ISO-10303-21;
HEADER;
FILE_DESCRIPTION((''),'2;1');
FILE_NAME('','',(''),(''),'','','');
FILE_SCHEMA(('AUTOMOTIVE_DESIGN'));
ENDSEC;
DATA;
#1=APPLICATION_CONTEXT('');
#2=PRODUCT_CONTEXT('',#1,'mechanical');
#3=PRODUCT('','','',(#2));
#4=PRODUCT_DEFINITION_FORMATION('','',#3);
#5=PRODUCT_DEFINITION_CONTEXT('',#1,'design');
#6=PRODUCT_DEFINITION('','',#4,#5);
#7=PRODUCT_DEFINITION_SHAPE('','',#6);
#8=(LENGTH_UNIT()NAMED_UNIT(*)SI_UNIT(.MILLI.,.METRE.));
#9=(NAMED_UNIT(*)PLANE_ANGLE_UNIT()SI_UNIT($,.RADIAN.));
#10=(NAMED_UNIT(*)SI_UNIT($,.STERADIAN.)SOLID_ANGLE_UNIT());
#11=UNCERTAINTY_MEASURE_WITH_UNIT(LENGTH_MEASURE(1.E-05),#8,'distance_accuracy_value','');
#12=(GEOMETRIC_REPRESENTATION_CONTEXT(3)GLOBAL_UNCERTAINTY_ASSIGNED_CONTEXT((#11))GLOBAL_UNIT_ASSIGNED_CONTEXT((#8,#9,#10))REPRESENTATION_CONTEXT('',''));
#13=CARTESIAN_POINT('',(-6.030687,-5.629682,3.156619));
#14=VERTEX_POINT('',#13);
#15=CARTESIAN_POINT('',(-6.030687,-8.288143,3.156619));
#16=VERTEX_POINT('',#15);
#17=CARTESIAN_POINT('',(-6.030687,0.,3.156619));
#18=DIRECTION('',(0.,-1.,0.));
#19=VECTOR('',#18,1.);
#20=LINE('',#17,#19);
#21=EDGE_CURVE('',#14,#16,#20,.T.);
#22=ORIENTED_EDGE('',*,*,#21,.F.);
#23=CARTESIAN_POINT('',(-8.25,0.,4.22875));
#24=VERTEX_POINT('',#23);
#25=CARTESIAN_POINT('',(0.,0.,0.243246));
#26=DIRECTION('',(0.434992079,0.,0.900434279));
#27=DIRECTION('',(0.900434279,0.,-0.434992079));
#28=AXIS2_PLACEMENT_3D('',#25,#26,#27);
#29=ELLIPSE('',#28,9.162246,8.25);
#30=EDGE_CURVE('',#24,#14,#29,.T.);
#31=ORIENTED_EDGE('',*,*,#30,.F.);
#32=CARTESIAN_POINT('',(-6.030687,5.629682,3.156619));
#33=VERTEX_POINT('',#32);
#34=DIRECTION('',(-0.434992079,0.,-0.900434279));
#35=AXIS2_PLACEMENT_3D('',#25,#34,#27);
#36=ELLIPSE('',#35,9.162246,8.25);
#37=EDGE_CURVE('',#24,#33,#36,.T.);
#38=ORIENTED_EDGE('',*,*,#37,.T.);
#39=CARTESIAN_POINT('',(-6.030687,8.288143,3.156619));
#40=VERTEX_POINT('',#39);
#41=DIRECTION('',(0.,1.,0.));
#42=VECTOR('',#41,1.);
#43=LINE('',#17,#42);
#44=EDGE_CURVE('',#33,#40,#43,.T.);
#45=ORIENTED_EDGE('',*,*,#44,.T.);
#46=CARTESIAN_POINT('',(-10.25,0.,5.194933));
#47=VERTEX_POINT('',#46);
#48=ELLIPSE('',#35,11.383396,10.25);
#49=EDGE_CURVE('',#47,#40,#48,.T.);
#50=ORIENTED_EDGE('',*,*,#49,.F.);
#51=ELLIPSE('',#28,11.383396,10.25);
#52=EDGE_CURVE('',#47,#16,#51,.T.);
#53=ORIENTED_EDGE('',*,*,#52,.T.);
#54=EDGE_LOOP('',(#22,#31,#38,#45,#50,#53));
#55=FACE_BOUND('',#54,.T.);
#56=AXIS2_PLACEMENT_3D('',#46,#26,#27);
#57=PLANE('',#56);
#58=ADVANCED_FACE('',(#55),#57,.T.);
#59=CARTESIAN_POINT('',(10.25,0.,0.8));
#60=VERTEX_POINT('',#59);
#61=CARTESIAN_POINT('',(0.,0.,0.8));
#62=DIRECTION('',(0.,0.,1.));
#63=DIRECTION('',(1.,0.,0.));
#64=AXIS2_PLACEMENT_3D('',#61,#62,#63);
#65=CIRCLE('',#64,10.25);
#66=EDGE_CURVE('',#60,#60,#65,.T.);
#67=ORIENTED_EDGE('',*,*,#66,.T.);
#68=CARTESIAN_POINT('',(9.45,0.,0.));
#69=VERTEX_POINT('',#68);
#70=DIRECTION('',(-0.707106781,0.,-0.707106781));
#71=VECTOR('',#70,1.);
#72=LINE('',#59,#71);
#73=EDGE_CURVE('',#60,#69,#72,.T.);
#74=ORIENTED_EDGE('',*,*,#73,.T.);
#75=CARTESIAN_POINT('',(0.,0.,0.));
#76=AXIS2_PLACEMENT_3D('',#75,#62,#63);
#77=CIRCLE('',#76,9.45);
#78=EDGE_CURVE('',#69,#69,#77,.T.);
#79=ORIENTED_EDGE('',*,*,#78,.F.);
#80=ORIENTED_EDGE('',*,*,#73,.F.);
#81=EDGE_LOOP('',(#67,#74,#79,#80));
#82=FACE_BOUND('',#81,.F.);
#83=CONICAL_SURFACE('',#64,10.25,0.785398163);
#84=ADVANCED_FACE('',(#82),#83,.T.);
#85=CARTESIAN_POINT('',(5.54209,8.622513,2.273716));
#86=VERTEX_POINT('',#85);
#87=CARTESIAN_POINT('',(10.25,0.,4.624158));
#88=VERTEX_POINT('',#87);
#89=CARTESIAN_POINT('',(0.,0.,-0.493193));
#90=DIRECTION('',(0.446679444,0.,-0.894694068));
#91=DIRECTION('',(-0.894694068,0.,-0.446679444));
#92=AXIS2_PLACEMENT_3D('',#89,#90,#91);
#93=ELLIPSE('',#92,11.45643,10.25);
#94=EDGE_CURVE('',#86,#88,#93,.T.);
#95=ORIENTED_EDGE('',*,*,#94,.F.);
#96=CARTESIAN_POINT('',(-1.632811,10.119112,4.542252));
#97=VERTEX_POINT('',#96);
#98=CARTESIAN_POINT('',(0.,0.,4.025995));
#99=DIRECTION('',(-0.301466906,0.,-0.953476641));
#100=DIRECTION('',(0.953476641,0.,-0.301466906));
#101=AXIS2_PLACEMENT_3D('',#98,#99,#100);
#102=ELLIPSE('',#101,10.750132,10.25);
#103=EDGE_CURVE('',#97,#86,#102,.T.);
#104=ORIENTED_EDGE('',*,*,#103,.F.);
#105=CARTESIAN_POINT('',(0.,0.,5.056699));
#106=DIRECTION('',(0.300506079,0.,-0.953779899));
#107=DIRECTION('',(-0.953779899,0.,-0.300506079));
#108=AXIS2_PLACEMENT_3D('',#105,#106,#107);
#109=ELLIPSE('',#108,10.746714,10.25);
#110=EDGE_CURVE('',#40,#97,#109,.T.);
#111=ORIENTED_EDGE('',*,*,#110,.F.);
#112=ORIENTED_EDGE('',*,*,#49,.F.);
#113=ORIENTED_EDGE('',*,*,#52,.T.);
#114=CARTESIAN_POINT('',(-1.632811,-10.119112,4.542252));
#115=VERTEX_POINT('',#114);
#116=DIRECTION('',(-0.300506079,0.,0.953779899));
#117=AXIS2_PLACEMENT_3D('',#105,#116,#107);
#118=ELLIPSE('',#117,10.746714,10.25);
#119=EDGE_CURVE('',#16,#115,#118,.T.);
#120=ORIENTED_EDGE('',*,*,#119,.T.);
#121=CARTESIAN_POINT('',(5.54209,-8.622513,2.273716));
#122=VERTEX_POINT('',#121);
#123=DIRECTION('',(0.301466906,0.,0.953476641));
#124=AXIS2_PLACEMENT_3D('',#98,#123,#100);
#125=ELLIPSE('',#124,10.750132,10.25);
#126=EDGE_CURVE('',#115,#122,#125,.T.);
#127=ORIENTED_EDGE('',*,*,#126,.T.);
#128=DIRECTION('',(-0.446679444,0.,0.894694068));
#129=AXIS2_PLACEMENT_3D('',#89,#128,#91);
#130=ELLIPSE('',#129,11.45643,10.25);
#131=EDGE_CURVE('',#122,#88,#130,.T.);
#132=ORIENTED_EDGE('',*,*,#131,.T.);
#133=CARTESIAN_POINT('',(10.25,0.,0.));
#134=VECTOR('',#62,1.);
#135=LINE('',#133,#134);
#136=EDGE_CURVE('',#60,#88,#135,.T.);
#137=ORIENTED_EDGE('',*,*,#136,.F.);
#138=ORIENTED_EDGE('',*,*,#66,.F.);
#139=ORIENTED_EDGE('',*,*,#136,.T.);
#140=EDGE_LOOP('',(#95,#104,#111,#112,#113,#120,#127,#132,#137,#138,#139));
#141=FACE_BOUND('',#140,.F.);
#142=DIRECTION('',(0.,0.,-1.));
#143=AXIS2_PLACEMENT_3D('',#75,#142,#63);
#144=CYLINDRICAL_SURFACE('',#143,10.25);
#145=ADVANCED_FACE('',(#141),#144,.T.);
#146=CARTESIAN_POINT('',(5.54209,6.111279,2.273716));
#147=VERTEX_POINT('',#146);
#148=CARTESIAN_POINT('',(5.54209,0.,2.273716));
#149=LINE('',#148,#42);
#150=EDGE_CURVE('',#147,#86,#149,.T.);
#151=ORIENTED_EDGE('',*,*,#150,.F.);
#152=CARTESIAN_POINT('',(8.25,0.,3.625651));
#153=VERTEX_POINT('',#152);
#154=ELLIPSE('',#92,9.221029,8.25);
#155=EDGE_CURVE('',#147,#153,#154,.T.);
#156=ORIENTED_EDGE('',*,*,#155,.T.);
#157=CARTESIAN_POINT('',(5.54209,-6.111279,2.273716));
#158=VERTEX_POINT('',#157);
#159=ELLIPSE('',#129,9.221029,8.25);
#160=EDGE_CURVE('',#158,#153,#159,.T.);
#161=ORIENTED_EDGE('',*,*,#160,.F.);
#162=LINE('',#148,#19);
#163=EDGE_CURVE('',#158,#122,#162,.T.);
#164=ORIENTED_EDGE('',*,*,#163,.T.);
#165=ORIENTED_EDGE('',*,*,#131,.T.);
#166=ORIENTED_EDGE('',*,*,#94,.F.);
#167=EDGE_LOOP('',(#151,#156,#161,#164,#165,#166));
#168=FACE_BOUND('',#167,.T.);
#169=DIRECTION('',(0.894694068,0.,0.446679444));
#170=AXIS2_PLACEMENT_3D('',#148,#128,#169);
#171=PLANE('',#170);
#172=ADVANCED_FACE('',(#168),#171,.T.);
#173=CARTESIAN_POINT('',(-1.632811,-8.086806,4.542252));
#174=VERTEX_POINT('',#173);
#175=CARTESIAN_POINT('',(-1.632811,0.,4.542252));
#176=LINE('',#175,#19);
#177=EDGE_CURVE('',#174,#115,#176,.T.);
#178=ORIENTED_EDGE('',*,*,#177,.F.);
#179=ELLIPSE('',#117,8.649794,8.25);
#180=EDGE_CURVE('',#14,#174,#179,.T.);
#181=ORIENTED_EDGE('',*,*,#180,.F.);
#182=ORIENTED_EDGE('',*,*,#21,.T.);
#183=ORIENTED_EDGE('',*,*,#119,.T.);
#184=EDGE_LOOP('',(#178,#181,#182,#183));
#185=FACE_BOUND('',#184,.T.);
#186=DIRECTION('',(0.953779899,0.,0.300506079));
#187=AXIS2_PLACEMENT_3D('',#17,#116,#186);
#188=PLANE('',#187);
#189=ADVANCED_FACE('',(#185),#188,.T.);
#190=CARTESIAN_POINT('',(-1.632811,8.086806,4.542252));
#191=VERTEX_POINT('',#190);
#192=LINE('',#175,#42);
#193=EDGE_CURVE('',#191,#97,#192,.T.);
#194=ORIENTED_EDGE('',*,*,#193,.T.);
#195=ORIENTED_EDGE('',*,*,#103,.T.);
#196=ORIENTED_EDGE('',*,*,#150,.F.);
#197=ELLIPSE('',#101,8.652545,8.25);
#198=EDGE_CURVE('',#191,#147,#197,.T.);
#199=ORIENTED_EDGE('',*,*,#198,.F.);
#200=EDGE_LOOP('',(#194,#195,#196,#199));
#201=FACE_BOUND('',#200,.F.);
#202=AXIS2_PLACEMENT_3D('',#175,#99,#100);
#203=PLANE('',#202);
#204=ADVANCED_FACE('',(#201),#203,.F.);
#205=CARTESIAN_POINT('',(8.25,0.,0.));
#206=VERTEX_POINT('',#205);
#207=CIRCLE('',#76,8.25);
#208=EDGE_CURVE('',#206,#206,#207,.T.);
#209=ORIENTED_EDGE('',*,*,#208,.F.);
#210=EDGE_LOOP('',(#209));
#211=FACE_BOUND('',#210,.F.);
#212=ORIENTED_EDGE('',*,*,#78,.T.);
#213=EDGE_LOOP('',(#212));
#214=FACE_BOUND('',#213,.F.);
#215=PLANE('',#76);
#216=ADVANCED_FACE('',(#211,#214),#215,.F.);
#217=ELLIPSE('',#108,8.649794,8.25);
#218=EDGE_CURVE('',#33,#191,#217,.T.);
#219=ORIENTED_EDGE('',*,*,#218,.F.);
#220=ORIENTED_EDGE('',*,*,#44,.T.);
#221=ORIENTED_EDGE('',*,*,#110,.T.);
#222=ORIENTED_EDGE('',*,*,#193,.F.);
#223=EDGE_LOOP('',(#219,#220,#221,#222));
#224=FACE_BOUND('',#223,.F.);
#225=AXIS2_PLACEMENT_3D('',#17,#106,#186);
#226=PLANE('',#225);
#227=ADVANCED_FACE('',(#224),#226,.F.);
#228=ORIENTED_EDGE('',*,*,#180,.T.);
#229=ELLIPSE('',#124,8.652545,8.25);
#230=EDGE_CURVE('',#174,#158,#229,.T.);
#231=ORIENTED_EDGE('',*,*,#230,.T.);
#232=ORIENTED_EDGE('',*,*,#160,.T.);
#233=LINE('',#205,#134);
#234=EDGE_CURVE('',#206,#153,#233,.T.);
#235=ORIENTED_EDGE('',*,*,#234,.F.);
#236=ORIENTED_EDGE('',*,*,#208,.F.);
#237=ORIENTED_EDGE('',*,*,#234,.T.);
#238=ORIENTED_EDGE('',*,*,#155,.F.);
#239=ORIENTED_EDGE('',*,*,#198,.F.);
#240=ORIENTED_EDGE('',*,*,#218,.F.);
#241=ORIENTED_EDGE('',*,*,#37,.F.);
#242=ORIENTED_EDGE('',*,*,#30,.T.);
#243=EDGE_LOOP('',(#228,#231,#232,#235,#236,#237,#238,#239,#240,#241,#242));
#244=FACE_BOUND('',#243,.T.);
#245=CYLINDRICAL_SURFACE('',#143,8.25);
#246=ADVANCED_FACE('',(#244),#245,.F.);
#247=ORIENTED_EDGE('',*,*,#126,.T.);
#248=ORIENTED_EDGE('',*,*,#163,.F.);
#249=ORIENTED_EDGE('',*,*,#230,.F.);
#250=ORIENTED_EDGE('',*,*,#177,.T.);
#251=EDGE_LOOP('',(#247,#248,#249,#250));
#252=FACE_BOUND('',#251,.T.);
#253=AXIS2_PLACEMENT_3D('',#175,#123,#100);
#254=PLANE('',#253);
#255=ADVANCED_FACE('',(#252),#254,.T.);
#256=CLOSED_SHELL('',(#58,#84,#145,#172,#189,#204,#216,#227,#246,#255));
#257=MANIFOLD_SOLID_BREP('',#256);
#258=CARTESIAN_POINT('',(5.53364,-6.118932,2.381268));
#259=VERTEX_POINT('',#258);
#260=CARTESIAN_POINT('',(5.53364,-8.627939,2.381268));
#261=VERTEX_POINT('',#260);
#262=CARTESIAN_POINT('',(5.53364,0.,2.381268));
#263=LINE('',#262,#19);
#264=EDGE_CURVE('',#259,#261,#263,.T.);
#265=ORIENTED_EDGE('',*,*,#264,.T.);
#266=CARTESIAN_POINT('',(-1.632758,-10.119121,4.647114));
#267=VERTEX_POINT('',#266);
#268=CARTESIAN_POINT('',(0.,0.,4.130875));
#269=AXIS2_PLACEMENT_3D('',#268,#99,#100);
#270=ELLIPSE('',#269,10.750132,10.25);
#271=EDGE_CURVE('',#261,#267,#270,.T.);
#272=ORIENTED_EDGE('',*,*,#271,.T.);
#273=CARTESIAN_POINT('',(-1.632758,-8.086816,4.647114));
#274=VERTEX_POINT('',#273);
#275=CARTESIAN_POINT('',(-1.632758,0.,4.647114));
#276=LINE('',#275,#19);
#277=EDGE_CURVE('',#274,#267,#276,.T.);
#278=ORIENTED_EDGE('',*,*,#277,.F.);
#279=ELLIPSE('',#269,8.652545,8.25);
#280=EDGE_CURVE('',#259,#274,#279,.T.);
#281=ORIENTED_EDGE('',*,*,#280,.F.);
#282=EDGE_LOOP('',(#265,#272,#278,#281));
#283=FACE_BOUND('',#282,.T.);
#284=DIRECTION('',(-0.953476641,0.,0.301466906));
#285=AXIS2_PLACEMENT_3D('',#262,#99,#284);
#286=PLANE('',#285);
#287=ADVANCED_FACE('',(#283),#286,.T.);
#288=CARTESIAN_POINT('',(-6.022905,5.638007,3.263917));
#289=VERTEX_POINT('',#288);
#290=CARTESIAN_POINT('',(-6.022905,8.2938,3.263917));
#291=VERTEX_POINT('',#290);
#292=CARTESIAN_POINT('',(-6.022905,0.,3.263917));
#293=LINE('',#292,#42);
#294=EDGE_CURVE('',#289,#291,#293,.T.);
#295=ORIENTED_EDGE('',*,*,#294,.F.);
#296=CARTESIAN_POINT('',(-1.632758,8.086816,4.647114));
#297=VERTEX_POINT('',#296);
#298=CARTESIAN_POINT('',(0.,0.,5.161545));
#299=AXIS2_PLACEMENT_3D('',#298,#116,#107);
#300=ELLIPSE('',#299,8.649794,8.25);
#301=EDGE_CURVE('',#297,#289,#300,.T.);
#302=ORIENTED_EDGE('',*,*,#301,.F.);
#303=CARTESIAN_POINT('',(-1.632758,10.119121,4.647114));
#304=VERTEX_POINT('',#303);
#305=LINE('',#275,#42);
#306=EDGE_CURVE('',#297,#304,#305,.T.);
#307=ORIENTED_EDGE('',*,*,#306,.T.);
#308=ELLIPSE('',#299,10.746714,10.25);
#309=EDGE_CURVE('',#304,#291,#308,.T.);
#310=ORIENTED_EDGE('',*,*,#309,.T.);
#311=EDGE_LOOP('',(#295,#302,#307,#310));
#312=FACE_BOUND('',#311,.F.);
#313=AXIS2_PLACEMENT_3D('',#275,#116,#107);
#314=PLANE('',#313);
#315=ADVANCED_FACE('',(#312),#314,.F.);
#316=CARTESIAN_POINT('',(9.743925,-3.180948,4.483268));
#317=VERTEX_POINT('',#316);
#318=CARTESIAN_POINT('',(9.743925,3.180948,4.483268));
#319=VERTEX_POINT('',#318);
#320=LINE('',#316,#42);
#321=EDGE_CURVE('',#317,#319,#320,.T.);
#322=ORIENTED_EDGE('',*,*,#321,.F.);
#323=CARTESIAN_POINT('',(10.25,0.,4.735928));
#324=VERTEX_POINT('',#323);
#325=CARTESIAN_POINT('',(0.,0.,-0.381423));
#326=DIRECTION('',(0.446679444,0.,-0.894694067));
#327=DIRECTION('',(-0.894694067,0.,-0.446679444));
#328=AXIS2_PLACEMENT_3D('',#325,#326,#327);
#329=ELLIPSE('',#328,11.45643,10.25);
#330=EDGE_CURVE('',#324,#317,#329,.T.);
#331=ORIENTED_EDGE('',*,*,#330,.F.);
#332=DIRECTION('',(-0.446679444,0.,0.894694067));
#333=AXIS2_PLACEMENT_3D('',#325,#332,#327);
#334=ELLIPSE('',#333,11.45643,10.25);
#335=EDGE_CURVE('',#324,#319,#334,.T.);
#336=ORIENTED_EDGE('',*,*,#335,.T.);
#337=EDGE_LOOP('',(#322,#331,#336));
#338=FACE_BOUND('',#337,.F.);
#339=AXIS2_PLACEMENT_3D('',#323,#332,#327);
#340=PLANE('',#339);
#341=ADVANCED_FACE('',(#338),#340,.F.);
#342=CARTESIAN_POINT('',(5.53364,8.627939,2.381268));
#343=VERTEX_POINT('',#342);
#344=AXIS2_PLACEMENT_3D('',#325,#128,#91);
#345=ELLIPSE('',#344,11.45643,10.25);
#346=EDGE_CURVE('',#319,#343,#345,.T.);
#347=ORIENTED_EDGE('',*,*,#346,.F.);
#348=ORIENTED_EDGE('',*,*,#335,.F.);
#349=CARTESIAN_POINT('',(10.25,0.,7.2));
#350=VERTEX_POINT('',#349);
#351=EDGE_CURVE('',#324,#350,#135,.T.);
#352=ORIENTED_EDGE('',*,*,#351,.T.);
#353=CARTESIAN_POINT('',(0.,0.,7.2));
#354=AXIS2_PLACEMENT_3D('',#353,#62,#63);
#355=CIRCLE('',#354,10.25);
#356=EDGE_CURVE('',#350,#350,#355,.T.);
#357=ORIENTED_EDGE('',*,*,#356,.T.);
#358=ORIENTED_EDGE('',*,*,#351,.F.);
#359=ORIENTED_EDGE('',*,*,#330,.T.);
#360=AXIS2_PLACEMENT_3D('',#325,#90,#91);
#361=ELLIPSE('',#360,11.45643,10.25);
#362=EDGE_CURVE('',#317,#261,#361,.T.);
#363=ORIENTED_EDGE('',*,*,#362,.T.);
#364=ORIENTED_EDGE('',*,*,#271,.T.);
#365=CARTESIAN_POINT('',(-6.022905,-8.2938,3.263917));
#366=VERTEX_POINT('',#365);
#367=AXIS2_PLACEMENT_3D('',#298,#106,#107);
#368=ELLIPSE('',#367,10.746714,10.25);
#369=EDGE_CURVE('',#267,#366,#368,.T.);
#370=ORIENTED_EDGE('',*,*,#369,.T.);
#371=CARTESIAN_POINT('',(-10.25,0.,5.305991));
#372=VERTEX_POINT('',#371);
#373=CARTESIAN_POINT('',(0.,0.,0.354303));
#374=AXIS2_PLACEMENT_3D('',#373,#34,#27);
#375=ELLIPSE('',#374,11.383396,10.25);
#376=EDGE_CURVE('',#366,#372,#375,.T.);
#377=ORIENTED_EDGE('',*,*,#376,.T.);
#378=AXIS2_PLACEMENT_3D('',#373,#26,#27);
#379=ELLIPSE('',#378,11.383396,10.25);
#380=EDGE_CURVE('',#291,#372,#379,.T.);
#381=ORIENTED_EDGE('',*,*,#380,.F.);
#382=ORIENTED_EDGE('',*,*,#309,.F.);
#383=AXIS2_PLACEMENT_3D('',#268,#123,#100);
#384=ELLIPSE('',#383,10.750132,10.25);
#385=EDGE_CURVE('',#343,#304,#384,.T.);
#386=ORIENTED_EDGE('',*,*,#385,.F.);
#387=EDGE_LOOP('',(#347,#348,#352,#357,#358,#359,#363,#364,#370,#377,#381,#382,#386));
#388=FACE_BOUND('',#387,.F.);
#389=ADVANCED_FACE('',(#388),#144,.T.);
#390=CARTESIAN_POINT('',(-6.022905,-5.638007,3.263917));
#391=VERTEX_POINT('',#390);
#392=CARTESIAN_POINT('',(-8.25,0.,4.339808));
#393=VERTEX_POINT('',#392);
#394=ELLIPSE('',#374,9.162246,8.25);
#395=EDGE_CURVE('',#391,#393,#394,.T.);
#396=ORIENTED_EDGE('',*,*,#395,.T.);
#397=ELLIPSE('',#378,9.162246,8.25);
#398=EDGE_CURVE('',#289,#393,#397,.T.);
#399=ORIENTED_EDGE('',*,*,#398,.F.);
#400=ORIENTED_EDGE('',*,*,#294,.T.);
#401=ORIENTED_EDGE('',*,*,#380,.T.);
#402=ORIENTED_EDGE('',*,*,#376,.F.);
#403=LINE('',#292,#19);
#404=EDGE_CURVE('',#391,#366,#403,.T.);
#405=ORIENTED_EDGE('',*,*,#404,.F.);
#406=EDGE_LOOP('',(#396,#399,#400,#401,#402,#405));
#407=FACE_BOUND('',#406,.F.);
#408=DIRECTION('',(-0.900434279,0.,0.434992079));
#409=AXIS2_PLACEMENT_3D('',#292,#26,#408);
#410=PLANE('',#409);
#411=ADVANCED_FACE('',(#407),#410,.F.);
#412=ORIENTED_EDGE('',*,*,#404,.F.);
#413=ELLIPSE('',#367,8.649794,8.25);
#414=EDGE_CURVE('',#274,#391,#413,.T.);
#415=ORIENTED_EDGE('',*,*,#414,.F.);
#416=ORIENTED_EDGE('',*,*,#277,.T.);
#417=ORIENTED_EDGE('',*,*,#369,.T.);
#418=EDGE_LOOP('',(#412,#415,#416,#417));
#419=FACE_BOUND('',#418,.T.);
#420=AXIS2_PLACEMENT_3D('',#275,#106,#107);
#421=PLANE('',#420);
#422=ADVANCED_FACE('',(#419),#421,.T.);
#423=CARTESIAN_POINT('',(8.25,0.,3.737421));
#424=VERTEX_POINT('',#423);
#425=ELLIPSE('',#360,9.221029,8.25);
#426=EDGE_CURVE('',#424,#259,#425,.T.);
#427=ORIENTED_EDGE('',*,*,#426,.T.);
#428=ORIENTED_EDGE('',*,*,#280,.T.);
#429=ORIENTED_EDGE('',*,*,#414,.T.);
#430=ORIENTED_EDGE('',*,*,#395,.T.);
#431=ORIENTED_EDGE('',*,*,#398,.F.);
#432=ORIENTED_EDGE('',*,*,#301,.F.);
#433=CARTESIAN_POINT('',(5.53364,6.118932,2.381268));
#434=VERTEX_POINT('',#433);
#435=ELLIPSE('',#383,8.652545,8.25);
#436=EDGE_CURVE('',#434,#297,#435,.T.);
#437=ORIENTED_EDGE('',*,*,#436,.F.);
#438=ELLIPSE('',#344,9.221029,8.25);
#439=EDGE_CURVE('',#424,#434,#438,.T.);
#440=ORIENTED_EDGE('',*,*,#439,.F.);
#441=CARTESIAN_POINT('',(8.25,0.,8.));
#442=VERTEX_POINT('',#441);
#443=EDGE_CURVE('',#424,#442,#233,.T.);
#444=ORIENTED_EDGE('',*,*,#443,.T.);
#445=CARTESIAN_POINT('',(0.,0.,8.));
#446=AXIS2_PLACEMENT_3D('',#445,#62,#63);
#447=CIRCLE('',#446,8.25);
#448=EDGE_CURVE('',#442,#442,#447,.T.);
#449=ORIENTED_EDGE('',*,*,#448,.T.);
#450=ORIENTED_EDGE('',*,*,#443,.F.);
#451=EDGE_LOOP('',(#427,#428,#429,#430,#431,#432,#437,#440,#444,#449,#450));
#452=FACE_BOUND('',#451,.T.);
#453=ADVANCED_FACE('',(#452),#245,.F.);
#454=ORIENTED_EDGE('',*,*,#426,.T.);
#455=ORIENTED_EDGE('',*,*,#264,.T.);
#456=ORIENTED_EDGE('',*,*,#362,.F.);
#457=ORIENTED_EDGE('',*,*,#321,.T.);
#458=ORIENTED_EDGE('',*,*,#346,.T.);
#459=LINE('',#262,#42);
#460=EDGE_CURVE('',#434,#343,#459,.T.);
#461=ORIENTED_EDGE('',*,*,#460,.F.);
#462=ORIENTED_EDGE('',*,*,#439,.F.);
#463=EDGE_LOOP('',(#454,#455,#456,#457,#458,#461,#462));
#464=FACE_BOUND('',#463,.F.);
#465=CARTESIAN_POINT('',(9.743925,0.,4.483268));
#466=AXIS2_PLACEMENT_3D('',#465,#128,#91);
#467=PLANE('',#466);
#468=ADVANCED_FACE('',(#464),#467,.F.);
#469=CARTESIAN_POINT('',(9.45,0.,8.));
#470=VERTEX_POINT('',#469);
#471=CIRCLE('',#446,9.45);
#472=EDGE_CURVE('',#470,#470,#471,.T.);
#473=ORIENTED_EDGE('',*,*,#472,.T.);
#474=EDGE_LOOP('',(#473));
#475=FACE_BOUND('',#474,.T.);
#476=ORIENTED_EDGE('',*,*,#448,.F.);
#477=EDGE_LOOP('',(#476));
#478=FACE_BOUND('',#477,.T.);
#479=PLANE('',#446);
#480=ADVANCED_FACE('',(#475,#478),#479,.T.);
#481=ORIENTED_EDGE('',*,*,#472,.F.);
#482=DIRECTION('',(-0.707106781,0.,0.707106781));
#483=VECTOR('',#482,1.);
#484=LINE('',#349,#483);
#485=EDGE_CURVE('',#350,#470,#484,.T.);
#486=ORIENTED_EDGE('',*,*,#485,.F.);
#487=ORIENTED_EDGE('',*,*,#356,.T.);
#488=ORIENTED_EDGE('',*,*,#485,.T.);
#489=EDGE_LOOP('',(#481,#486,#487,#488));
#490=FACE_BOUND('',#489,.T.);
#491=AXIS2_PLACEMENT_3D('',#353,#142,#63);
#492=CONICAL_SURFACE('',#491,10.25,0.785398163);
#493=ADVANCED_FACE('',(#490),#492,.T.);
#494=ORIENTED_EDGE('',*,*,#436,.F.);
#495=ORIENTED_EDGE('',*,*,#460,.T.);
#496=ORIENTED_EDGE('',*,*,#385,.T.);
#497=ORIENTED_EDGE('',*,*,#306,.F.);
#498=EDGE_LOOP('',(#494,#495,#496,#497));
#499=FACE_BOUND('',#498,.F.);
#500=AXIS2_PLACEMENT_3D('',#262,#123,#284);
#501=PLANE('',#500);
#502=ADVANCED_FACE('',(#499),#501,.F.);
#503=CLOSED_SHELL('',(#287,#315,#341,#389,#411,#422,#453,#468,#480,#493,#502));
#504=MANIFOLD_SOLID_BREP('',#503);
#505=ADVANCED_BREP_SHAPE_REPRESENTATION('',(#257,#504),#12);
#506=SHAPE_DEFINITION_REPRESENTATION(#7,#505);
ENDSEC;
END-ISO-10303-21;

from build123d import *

# Parameters (mm, degrees)
F0_R          = 10.25
F0_R_2        = 8.25
F1_DEPTH      = 8
F3_DEPTH      = 25
F3_DEPTH_BACK = 25
F4_SIZE       = 0.8


with BuildPart() as f1:
    # F0 (on Top) → F1 (new body)
    with BuildSketch(Plane.XY):
        Circle(F0_R)
        Circle(F0_R_2, mode=Mode.SUBTRACT)
    extrude(amount=F1_DEPTH)

    # F2 (on Front) → F3 (cut, two sides)
    with BuildSketch(Plane.XZ) as f3_sk:
        Polygon((-10.25, 5.3059905923), (-10.25, 5.1949330701), (-6.0306870126, 3.1566191479), (-1.6328110061, 4.5422517004), (5.5420904013, 2.2737164901), (10.25, 4.6241584094), (10.25, 4.7359284587), (9.7439247371, 4.4832684431), (5.5336400042, 2.3812676462), (-1.632758179, 4.6471143369), (-6.022904701, 3.2639171021), align=None)
    extrude(amount=-F3_DEPTH, mode=Mode.SUBTRACT)
    extrude(f3_sk.sketch, amount=F3_DEPTH_BACK, mode=Mode.SUBTRACT)

    # F4
    f4_edges = [f1.edges().sort_by_distance(p)[0] for p in [
        (-10.25, 0, 8),
        (-10.25, 0, 0),
    ]]
    chamfer(f4_edges, length=F4_SIZE)


solid = f1.part
